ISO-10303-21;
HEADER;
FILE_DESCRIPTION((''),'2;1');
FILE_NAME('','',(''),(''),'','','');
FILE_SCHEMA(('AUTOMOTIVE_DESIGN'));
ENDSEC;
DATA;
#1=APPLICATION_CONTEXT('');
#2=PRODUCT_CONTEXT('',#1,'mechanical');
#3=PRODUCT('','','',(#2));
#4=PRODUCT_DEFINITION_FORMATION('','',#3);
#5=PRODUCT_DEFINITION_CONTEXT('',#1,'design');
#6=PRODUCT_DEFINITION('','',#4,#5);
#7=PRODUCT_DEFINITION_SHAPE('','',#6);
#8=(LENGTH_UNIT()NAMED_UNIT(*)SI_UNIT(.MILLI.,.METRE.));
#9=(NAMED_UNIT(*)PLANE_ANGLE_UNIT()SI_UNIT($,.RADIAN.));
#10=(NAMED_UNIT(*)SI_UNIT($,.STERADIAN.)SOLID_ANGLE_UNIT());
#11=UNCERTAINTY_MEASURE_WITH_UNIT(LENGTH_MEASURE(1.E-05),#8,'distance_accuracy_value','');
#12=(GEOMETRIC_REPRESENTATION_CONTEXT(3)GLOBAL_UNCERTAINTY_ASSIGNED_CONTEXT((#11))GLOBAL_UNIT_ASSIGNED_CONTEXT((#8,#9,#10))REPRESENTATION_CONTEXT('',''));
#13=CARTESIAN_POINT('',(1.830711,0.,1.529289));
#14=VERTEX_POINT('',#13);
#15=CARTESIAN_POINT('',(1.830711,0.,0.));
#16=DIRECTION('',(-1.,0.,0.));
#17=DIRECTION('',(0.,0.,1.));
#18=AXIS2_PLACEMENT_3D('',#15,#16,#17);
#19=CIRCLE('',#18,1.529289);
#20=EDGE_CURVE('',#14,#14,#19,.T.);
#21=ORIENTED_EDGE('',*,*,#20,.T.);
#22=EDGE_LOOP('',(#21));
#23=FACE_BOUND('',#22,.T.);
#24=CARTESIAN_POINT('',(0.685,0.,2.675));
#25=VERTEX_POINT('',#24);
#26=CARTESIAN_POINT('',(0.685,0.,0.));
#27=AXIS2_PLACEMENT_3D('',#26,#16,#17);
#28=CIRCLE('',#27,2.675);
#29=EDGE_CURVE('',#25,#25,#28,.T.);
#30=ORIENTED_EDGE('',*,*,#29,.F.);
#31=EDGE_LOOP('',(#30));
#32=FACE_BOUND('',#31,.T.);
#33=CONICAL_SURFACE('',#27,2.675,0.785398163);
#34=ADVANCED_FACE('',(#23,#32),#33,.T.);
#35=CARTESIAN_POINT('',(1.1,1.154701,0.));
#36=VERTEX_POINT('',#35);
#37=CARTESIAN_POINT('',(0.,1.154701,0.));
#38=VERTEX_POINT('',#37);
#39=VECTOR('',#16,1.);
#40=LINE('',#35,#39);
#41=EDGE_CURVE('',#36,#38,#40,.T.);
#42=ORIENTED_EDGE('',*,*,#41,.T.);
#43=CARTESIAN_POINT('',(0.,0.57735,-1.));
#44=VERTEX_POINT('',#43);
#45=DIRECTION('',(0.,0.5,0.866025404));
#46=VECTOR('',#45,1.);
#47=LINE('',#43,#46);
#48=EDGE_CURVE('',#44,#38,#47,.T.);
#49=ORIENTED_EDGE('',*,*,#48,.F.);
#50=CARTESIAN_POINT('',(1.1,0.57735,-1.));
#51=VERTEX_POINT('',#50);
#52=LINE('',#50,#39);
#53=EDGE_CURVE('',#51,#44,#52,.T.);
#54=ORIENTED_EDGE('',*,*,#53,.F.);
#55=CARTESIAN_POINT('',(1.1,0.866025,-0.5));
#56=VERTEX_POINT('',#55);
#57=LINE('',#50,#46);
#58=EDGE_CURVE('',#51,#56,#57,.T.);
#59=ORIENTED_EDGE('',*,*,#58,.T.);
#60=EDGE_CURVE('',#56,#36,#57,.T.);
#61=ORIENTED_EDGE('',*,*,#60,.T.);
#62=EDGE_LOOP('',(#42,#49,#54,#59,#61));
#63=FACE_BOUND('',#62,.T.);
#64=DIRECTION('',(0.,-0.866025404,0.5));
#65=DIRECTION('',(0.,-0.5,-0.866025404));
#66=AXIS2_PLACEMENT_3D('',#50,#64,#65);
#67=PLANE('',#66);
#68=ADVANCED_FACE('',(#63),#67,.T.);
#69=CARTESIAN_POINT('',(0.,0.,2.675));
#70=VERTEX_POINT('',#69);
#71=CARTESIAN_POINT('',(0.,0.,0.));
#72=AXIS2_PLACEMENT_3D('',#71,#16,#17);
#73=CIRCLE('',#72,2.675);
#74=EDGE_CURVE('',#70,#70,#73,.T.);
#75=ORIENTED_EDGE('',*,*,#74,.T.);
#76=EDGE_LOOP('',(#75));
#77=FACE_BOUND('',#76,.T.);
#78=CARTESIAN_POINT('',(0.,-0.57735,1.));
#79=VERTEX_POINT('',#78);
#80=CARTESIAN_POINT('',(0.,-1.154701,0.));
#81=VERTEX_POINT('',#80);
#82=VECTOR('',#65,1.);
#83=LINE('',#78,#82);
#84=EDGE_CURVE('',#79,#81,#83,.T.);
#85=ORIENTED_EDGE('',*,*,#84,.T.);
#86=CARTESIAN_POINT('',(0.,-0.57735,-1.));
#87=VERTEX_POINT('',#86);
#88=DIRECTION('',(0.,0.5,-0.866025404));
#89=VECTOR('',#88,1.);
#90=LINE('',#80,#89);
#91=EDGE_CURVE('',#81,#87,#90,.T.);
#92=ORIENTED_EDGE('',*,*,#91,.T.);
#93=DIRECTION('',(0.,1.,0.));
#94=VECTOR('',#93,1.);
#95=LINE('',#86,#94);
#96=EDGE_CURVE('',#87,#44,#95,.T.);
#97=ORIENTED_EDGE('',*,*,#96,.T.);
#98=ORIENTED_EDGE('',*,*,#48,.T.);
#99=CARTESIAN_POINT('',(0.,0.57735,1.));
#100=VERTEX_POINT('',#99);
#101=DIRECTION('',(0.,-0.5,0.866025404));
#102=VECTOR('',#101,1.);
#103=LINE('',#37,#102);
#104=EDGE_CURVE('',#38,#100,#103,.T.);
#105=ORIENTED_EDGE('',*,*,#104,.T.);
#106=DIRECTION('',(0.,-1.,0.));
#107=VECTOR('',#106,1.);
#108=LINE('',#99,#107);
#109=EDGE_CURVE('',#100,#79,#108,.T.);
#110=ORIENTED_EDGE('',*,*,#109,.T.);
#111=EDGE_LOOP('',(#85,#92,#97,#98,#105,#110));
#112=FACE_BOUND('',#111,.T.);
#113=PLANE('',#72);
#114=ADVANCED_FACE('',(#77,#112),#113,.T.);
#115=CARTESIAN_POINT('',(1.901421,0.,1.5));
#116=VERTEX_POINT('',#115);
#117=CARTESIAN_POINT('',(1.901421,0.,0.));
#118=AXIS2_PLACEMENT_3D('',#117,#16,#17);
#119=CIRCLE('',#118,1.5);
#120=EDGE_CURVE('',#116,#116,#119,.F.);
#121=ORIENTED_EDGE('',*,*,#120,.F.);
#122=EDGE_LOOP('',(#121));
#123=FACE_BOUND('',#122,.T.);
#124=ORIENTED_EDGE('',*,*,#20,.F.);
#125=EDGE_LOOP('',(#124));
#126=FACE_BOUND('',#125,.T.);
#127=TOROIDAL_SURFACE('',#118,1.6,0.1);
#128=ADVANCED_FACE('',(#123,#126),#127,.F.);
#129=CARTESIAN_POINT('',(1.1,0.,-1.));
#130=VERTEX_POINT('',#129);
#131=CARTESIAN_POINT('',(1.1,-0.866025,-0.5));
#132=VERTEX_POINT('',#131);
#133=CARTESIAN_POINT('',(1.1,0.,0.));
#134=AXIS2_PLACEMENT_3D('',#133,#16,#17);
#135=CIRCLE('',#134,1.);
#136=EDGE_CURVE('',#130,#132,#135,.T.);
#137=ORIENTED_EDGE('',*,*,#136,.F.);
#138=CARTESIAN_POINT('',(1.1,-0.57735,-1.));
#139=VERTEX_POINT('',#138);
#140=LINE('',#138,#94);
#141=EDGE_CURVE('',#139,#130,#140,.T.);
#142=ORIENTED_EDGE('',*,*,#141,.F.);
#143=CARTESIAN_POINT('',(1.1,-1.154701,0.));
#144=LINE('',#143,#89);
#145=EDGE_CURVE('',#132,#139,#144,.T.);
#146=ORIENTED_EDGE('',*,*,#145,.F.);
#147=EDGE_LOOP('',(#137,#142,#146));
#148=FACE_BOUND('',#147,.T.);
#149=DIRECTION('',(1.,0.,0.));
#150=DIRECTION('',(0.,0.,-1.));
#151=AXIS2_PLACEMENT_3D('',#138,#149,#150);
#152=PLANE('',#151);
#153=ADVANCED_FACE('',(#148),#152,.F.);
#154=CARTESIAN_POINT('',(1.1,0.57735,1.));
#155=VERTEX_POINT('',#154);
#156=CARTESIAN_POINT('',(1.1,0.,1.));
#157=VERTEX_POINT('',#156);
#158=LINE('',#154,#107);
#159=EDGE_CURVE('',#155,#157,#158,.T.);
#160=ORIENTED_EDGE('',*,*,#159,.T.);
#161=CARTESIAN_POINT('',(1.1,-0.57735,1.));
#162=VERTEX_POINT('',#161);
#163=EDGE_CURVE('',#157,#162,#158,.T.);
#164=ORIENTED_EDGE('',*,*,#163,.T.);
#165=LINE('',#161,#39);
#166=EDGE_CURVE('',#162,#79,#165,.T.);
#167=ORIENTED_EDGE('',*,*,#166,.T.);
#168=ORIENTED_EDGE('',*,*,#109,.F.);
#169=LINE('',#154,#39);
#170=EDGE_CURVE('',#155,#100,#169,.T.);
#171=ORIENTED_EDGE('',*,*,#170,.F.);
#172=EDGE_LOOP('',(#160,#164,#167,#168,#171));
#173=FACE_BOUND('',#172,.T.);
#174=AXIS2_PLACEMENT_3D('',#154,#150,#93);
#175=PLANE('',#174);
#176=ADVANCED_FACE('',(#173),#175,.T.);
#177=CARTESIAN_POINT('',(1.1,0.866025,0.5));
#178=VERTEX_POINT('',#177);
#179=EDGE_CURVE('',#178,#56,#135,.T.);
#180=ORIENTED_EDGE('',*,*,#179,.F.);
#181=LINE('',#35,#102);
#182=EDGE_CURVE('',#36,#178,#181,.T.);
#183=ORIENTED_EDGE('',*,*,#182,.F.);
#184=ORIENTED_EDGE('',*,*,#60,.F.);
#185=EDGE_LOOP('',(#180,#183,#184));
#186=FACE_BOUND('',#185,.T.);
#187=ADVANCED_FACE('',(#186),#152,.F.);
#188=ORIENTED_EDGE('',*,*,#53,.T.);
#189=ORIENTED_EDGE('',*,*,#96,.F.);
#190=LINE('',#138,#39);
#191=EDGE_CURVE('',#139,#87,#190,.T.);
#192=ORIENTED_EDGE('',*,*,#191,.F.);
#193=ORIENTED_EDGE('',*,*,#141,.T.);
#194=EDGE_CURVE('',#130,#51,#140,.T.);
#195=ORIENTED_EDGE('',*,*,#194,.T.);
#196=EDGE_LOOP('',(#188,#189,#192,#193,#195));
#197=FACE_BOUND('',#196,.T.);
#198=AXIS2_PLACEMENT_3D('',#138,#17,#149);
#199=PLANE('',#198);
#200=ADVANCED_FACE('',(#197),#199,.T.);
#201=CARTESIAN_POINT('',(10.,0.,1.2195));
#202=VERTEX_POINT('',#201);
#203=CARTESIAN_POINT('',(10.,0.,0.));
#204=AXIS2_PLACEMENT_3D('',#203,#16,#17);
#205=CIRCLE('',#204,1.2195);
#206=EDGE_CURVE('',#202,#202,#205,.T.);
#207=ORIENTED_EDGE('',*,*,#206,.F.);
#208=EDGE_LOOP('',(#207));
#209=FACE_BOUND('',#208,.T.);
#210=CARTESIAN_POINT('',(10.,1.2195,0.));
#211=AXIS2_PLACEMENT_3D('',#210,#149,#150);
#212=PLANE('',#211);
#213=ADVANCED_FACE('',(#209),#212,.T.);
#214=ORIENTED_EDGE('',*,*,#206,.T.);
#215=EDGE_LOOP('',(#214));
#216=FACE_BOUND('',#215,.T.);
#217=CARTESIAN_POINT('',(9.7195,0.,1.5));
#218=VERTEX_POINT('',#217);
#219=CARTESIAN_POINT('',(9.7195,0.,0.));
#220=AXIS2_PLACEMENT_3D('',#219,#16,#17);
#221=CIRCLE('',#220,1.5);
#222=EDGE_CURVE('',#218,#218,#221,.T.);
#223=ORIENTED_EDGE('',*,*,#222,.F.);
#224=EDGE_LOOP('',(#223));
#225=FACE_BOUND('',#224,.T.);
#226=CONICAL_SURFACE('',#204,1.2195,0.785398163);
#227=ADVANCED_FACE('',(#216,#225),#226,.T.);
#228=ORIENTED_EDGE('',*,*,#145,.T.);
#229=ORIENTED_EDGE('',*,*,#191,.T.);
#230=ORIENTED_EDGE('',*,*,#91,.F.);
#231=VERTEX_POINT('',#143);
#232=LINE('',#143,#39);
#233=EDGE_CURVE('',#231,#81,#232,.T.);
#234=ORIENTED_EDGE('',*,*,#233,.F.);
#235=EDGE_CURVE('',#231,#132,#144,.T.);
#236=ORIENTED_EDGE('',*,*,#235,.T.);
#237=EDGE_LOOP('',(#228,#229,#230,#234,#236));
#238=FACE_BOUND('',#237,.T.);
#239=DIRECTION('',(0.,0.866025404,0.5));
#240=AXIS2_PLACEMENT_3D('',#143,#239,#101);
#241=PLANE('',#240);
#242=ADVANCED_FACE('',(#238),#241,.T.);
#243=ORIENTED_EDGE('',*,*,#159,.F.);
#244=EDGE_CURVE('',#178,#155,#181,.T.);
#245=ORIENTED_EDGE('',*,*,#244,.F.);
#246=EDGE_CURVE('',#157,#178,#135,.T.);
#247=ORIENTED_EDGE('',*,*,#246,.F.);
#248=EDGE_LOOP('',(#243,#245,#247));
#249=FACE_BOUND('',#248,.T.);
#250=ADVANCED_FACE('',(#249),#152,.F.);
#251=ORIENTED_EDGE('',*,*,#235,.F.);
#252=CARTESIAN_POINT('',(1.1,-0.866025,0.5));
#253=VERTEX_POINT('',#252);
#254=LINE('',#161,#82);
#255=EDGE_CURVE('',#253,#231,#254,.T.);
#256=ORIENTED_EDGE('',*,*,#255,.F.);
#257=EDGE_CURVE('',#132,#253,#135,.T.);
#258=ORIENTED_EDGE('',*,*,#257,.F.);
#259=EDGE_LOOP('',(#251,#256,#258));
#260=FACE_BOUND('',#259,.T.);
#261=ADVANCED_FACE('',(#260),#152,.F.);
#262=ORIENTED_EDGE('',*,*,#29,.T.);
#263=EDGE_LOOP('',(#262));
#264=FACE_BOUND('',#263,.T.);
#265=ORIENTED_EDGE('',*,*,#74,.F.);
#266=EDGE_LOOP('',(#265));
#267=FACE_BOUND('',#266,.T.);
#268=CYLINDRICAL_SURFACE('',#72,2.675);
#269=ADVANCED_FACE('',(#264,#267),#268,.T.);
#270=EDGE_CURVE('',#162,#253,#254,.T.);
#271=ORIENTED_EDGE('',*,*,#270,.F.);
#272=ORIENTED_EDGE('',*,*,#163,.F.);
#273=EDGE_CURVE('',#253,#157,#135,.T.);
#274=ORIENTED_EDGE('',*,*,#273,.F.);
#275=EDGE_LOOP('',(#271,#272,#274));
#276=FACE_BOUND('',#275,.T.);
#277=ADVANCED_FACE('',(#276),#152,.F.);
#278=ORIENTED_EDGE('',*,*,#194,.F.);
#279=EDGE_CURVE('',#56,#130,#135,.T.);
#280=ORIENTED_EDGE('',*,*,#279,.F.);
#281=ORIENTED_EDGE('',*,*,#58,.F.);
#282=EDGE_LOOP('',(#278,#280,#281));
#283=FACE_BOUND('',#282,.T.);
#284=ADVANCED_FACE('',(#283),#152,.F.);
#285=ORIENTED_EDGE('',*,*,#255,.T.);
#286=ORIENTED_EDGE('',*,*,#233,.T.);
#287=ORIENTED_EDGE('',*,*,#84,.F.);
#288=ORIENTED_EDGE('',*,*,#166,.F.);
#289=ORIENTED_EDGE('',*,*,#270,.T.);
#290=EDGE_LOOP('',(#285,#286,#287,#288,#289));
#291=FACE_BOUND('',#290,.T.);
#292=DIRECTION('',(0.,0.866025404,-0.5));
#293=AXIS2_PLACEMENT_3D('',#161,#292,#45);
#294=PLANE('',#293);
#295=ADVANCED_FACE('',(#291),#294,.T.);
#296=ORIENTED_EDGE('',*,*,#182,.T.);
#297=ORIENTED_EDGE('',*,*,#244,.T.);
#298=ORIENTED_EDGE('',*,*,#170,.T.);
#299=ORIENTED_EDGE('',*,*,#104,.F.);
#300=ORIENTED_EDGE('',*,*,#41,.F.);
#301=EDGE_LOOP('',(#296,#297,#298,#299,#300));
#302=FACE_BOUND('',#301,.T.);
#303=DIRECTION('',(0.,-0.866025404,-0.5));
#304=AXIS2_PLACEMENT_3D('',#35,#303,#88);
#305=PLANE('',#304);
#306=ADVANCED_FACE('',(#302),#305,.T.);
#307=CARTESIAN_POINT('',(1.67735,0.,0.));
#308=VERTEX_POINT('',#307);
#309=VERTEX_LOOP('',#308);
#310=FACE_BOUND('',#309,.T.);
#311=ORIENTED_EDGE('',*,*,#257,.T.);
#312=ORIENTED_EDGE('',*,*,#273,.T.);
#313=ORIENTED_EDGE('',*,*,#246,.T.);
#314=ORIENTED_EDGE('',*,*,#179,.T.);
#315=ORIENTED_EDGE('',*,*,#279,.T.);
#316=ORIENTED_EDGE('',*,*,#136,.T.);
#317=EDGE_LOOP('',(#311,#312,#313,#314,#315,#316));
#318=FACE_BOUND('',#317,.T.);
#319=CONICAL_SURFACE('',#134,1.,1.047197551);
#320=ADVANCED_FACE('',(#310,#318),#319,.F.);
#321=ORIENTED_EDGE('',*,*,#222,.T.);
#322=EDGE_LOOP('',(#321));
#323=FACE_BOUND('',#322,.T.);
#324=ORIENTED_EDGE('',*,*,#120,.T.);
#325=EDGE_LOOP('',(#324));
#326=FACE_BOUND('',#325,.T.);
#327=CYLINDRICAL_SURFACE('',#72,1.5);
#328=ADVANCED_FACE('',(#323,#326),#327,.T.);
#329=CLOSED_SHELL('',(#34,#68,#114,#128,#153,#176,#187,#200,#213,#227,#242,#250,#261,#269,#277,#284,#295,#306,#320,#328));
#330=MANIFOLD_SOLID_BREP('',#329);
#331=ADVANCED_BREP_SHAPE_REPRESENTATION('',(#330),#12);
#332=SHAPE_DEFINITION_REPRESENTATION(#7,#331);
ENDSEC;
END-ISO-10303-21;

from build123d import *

# Parameters (mm, degrees)
FILLET1_R   = 0.1
HEX_2_DEPTH = 1.1


with BuildPart() as part:
    # BodySke → BaseBody (revolve)
    with BuildSketch(Plane.XY):
        Polygon((0, 0), (0, 2.675), (0.685, 2.675), (1.86, 1.5), (9.7195, 1.5), (10, 1.2195), (10, 0), align=None)
    revolve(axis=Axis((0, 0, 0), (1, 0, 0)))

    # Fillet1
    fillet1_edges = [part.edges().sort_by_distance(p)[0] for p in [
        (1.86, -1.5, 0),
    ]]
    fillet(fillet1_edges, radius=FILLET1_R)

    # Sketch2 → PreBroach (revolve, cut)
    with BuildSketch(Plane.XY):
        Polygon((0, 1), (1.1, 1), (1.677350269, 0), (0, 0), align=None)
    revolve(axis=Axis((0, 0, 0), (1, 0, 0)), mode=Mode.SUBTRACT)

    # Sketch3 → Hex 2 (cut)
    with BuildSketch(Plane.ZY):
        Polygon((-1, -0.577350269), (-1, 0.577350269), (0, 1.154700538), (1, 0.577350269), (1, -0.577350269), (0, -1.154700538), align=None)
    extrude(amount=-HEX_2_DEPTH, mode=Mode.SUBTRACT)


solid = part.part
